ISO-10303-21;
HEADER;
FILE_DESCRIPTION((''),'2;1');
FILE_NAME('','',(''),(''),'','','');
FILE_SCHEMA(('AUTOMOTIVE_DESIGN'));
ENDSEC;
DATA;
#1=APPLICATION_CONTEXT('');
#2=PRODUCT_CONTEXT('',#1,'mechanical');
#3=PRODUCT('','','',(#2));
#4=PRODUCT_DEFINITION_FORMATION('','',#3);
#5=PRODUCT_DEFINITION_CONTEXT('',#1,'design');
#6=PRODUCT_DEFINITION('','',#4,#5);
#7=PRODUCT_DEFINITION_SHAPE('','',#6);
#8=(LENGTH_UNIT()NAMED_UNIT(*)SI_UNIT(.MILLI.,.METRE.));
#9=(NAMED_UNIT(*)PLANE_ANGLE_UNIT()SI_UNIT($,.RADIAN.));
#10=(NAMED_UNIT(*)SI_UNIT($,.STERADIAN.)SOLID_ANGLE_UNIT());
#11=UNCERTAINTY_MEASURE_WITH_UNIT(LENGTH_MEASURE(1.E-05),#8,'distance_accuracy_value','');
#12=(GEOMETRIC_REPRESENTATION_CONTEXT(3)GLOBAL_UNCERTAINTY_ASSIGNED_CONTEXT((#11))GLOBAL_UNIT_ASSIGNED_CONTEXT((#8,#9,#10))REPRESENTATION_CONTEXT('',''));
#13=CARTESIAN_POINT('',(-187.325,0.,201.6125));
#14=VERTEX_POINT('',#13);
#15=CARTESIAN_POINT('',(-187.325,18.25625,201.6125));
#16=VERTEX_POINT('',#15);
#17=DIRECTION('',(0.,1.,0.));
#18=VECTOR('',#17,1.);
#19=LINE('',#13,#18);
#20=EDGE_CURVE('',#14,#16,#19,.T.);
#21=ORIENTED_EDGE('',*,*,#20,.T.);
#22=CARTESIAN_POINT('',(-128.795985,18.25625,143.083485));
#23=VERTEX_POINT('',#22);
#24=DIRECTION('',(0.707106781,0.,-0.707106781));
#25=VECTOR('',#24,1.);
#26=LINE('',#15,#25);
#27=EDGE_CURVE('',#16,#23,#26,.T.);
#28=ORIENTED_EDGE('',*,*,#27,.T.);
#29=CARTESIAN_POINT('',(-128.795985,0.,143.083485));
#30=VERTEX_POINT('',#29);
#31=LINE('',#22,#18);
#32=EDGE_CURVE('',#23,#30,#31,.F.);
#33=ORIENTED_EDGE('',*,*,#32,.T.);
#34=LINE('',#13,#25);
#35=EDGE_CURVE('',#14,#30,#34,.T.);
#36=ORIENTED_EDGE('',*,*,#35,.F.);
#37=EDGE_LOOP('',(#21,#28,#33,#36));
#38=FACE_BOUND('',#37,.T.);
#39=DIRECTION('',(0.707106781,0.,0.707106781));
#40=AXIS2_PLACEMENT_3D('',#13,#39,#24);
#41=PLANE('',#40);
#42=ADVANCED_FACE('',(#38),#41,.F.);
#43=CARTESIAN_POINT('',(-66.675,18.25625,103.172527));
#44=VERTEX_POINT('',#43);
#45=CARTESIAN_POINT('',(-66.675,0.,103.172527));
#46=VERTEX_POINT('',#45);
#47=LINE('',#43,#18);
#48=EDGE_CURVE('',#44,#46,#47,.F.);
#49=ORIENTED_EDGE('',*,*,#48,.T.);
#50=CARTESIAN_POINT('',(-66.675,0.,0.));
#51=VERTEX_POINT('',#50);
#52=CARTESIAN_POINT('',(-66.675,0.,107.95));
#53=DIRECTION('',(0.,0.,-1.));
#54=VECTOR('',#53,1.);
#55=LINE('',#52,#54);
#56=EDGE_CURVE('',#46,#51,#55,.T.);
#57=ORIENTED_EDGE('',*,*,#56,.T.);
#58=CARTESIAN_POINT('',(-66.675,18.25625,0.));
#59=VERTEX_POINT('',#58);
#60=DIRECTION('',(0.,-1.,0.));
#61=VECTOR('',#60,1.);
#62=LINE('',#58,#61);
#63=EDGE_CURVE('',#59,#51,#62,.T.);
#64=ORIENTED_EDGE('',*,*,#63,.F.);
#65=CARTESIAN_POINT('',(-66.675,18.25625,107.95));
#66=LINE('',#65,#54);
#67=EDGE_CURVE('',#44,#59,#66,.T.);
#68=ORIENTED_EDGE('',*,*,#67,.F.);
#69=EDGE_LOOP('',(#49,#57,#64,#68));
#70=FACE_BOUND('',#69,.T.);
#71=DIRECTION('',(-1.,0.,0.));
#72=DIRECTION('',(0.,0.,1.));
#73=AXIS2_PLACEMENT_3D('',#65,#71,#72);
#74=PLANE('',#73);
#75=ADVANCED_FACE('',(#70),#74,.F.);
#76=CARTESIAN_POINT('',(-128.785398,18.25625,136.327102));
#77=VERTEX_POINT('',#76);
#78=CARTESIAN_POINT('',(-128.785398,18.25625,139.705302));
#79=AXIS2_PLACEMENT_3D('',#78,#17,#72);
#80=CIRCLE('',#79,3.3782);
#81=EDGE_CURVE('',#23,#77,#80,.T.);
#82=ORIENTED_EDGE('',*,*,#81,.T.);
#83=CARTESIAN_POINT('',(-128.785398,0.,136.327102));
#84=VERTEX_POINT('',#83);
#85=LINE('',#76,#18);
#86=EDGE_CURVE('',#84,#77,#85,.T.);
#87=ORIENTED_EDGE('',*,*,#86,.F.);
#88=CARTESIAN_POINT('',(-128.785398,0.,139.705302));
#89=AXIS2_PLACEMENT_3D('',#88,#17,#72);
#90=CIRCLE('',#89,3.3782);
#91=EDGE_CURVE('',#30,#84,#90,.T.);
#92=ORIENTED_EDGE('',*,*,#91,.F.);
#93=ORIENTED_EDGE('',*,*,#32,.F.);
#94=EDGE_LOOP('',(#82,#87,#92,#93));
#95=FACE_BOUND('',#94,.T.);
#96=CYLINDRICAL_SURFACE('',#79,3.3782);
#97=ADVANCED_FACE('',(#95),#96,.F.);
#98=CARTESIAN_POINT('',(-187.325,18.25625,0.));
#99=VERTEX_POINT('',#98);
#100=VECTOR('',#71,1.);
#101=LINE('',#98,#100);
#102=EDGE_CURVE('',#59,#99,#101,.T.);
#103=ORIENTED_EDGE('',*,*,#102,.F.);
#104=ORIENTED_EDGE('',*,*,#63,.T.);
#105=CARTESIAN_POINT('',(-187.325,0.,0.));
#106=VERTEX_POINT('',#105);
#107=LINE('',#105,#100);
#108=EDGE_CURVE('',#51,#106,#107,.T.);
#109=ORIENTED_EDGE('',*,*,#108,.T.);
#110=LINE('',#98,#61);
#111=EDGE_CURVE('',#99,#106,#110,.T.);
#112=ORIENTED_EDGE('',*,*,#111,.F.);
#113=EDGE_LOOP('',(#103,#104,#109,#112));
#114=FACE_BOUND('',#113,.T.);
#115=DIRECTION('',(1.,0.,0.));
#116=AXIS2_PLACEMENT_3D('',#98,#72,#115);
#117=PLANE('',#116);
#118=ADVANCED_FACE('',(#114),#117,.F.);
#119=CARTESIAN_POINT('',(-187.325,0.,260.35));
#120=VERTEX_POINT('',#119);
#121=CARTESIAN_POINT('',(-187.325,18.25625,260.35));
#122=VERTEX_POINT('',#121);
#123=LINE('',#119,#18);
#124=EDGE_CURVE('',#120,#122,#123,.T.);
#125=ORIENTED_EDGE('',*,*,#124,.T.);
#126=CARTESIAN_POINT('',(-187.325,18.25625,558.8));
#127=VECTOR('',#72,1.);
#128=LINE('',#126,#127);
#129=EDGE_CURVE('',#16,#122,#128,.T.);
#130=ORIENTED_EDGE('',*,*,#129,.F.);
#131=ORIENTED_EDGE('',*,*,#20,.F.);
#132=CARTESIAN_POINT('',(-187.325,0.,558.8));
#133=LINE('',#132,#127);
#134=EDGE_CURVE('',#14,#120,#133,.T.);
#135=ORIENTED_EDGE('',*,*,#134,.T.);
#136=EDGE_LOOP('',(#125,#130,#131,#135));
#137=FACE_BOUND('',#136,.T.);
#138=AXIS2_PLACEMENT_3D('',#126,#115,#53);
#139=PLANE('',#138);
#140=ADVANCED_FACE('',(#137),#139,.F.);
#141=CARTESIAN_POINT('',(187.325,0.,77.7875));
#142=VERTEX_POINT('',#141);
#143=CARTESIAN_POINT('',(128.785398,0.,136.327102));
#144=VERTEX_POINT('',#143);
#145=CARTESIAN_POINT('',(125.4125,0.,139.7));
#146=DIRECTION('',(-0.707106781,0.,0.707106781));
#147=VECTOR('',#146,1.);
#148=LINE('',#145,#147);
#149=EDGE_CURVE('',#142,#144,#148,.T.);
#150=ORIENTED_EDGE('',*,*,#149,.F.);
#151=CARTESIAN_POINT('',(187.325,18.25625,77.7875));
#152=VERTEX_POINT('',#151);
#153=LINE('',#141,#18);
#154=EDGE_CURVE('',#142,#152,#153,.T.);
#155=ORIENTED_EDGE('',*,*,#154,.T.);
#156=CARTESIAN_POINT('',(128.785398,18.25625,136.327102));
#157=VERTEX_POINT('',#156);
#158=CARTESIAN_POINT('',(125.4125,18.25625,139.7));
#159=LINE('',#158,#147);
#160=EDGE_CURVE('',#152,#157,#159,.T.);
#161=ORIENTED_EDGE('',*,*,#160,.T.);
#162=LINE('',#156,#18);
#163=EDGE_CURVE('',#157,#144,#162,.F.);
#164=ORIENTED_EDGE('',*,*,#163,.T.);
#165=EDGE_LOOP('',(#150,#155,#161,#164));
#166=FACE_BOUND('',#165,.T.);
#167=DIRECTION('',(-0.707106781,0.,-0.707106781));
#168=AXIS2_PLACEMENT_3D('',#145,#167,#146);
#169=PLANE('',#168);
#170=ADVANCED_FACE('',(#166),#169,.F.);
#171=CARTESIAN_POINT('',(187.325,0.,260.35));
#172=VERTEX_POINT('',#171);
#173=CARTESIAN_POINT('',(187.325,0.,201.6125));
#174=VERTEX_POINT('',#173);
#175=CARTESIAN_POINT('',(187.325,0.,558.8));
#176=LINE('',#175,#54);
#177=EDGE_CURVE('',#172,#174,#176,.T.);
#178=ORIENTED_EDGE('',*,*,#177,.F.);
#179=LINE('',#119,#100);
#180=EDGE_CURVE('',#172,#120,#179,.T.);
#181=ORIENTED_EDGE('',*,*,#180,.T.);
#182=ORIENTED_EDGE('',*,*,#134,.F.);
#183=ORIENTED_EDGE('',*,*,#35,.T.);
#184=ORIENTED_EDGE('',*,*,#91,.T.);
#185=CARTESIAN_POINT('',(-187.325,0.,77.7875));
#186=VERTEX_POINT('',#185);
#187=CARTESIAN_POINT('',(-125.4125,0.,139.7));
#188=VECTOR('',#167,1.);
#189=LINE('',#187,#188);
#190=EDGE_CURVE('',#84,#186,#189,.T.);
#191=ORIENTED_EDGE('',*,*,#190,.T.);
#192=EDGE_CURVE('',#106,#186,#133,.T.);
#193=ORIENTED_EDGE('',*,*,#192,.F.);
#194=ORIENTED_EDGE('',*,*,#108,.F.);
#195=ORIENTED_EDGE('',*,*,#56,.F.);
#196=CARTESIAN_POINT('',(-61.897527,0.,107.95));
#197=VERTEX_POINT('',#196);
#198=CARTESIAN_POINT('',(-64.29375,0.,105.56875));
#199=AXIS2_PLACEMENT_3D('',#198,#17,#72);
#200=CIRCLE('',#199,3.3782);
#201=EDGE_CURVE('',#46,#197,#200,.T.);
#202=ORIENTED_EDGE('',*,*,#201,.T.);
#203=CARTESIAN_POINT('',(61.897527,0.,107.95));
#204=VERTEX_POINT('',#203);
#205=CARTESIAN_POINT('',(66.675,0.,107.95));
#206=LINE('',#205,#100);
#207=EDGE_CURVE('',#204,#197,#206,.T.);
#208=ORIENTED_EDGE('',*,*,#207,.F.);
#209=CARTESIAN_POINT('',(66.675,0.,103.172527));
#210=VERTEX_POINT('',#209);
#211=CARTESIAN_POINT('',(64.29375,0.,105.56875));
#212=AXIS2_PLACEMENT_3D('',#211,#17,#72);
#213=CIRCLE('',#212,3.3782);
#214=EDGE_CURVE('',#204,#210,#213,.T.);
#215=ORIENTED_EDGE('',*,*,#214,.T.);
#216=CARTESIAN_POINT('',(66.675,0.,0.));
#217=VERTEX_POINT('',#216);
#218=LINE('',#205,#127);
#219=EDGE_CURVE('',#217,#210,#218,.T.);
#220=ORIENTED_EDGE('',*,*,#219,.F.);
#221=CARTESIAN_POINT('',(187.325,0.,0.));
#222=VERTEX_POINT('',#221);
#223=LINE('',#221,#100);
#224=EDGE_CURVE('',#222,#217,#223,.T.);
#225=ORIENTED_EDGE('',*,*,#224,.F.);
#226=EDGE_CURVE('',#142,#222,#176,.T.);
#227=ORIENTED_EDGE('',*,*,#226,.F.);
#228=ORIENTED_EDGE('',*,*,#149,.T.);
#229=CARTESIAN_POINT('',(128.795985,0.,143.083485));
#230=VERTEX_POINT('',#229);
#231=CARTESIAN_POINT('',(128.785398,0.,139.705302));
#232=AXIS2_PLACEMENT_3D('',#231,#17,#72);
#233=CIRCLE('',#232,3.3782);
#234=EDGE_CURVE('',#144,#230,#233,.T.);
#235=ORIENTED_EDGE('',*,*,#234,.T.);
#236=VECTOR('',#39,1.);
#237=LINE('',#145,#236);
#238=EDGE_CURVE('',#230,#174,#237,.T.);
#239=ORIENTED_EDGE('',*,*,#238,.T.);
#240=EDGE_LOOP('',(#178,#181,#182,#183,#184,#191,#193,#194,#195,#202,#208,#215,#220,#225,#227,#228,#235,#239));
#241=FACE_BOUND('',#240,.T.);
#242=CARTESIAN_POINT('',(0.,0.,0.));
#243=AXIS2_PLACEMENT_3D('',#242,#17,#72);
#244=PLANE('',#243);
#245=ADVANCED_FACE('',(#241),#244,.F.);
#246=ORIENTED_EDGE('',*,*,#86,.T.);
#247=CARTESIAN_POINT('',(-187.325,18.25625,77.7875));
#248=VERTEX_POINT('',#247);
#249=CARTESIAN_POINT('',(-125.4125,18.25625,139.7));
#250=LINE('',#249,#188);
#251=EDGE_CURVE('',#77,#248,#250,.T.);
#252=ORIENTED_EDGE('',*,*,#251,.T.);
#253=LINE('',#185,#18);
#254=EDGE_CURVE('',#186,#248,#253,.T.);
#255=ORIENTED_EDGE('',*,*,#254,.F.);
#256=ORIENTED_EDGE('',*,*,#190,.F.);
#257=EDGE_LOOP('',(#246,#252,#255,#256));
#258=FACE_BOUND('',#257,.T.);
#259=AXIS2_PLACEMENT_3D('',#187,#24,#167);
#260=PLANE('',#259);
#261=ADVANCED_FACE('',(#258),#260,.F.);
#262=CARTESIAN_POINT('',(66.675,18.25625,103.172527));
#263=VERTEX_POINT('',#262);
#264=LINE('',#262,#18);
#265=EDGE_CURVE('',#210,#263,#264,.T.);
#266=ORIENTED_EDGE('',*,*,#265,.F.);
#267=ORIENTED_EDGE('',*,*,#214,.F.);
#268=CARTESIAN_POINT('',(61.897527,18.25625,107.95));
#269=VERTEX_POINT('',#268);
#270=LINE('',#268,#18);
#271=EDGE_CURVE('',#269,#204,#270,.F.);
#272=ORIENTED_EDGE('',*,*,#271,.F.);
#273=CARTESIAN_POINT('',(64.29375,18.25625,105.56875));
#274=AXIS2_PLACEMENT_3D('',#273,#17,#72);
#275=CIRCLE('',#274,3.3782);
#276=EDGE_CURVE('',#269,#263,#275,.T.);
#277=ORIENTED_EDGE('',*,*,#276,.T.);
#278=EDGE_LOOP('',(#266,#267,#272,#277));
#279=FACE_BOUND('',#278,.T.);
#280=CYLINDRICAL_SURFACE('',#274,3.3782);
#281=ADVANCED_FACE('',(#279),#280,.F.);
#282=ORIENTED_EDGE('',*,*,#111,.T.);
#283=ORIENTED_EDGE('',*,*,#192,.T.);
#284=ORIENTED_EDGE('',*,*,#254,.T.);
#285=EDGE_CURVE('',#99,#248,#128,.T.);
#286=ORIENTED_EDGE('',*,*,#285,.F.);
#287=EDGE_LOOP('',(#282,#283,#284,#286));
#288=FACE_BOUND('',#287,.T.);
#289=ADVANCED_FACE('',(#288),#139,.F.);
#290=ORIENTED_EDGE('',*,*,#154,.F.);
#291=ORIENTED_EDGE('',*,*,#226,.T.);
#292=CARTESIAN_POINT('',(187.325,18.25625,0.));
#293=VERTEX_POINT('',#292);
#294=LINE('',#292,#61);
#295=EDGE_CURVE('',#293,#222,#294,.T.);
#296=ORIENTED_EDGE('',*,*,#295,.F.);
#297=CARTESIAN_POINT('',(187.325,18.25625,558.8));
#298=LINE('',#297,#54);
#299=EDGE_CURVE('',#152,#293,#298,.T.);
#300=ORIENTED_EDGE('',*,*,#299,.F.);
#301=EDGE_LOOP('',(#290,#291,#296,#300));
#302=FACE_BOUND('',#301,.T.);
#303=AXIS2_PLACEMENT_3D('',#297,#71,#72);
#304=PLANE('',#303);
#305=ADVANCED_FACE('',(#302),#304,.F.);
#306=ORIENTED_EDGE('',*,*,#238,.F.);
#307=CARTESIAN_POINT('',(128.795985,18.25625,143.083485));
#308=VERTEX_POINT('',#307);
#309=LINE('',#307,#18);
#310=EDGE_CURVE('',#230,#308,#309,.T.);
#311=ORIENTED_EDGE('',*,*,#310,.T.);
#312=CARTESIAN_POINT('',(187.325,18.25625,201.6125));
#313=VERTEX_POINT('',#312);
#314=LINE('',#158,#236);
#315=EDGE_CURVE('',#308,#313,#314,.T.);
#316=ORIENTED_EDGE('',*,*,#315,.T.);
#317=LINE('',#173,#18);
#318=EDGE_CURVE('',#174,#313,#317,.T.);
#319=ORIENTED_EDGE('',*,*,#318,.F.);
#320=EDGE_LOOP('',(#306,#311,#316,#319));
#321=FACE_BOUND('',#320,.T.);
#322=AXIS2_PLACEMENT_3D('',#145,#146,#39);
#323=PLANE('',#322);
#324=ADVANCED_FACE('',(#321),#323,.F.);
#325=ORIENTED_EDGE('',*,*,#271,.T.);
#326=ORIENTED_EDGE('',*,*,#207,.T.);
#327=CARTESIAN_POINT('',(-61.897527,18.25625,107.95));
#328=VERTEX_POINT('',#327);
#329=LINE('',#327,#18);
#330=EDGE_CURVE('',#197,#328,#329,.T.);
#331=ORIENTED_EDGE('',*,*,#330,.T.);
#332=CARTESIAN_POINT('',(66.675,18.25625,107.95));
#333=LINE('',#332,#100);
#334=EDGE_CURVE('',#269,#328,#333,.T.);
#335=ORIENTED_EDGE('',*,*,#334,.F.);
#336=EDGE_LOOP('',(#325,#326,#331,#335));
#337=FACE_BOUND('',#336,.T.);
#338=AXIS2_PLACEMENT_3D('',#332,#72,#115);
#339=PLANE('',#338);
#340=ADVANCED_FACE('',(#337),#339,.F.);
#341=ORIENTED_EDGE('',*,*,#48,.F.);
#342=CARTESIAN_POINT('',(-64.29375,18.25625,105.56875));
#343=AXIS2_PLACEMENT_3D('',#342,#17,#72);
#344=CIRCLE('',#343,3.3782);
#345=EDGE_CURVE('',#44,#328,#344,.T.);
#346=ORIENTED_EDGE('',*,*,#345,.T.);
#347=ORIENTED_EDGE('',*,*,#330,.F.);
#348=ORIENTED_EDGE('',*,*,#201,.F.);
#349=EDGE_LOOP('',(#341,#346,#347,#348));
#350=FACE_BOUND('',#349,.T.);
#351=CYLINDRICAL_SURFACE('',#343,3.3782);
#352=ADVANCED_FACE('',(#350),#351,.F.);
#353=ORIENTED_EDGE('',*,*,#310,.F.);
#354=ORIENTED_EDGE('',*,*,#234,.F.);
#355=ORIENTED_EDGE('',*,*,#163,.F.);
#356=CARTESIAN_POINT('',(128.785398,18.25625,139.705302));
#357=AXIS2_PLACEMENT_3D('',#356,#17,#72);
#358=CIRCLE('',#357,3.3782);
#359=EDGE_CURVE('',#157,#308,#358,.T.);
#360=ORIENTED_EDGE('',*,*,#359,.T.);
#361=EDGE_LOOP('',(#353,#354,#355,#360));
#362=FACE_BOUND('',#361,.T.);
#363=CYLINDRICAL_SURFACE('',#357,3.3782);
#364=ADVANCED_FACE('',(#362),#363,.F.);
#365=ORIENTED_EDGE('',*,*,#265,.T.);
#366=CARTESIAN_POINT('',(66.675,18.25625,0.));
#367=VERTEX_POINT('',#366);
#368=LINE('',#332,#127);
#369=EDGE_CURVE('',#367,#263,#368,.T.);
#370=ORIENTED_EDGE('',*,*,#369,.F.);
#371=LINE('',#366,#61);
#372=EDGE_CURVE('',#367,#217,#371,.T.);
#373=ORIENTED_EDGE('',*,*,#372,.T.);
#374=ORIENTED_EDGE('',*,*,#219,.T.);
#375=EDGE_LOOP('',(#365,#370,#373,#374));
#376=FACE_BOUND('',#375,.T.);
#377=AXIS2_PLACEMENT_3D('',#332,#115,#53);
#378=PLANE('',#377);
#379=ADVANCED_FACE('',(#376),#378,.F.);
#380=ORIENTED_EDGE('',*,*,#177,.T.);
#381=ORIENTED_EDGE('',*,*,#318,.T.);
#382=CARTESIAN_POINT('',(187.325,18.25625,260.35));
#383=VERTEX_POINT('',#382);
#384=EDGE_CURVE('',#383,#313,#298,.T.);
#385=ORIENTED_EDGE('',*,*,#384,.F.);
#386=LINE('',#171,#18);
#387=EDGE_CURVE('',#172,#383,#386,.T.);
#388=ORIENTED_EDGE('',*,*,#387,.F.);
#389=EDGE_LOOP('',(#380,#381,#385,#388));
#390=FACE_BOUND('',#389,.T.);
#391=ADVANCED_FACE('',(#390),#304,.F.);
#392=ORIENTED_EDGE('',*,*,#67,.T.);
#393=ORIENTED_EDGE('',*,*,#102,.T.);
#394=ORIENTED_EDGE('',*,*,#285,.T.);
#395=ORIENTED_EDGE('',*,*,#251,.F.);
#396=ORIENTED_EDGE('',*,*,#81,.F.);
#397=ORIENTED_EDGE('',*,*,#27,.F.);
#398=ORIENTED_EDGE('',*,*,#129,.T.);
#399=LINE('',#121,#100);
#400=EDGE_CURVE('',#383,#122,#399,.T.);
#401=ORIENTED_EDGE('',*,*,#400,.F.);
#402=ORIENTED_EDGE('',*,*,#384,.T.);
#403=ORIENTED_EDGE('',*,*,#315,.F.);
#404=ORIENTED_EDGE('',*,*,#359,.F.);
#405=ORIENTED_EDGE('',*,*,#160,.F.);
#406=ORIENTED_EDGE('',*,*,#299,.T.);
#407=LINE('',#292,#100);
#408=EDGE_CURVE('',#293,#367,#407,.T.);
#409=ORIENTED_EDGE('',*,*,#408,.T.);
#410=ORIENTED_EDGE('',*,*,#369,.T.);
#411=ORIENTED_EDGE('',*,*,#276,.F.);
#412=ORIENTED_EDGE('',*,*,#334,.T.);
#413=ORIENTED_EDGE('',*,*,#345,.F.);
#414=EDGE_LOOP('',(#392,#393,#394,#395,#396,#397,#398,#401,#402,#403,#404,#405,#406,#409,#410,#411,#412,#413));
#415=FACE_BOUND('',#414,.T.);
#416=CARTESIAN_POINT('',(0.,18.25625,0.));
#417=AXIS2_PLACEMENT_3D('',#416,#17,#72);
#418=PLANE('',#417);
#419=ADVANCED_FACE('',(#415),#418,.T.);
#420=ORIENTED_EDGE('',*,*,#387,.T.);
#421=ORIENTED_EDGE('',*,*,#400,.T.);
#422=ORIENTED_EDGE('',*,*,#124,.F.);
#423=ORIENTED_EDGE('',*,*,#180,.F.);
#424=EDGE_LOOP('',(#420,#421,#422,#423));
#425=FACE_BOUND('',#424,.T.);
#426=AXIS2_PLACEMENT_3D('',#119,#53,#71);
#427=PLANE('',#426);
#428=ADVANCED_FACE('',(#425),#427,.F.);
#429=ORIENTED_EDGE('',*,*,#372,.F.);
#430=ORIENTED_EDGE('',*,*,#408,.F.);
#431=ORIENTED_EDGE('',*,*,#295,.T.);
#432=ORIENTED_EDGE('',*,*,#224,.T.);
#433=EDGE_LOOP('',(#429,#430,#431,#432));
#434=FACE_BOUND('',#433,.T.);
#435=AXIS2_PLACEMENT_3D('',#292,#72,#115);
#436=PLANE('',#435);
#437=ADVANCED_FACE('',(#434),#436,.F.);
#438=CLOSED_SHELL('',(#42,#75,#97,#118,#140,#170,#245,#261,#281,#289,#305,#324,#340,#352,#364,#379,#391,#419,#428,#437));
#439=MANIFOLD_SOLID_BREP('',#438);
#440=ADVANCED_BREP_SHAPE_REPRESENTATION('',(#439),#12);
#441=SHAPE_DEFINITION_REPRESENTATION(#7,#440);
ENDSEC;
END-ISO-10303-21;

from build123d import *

# Parameters (mm, degrees)
BOSS_EXTRUDE1_DEPTH         = 18.25625
CUT_EXTRUDE1_DEPTH          = 590.645135899
F_1_4_CLEARANCE_HOLE1_D     = 6.7564
F_1_4_CLEARANCE_HOLE1_DEPTH = 18.25625
SKETCH5_W                   = 374.65
SKETCH5_H                   = 298.45
CUT_EXTRUDE2_DEPTH          = 590.645135899


with BuildPart() as part:
    # Sketch1 → Boss-Extrude1 (new body)
    with BuildSketch(Plane(origin=(0, 0, 0), x_dir=(1, 0, 0), z_dir=(0, 1, 0))):
        Polygon((-187.325, -558.8), (187.325, -558.8), (187.325, 0), (66.675, 0), (66.675, -107.95), (-66.675, -107.95), (-66.675, 0), (-187.325, 0), align=None)
    extrude(amount=BOSS_EXTRUDE1_DEPTH)

    # Sketch2 → Cut-Extrude1 (cut, through all)
    with BuildSketch(Plane(origin=(0, 18.25625, 0), x_dir=(1, 0, 0), z_dir=(0, 1, 0))):
        Polygon((-187.325, -201.6125), (-125.4125, -139.7), (-187.325, -77.7875), align=None)
        Polygon((125.4125, -139.7), (187.325, -201.6125), (187.325, -77.7875), align=None)
    extrude(amount=-CUT_EXTRUDE1_DEPTH, mode=Mode.SUBTRACT)

    # 1/4 Clearance Hole1
    with Locations(Plane(origin=(0, 18.25625, 0), x_dir=(1, 0, 0), z_dir=(0, 1, 0))):
        with Locations((-64.29375, -105.56875), (64.29375, -105.56875), (-128.785398023, -139.705301977), (128.785398023, -139.705301977)):
            Hole(F_1_4_CLEARANCE_HOLE1_D / 2, depth=F_1_4_CLEARANCE_HOLE1_DEPTH)

    # Sketch5 → Cut-Extrude2 (cut, through all)
    with BuildSketch(Plane(origin=(0, 18.25625, 0), x_dir=(1, 0, 0), z_dir=(0, 1, 0))):
        with Locations((0, -409.575)):
            Rectangle(SKETCH5_W, SKETCH5_H)
    extrude(amount=-CUT_EXTRUDE2_DEPTH, mode=Mode.SUBTRACT)


solid = part.part
